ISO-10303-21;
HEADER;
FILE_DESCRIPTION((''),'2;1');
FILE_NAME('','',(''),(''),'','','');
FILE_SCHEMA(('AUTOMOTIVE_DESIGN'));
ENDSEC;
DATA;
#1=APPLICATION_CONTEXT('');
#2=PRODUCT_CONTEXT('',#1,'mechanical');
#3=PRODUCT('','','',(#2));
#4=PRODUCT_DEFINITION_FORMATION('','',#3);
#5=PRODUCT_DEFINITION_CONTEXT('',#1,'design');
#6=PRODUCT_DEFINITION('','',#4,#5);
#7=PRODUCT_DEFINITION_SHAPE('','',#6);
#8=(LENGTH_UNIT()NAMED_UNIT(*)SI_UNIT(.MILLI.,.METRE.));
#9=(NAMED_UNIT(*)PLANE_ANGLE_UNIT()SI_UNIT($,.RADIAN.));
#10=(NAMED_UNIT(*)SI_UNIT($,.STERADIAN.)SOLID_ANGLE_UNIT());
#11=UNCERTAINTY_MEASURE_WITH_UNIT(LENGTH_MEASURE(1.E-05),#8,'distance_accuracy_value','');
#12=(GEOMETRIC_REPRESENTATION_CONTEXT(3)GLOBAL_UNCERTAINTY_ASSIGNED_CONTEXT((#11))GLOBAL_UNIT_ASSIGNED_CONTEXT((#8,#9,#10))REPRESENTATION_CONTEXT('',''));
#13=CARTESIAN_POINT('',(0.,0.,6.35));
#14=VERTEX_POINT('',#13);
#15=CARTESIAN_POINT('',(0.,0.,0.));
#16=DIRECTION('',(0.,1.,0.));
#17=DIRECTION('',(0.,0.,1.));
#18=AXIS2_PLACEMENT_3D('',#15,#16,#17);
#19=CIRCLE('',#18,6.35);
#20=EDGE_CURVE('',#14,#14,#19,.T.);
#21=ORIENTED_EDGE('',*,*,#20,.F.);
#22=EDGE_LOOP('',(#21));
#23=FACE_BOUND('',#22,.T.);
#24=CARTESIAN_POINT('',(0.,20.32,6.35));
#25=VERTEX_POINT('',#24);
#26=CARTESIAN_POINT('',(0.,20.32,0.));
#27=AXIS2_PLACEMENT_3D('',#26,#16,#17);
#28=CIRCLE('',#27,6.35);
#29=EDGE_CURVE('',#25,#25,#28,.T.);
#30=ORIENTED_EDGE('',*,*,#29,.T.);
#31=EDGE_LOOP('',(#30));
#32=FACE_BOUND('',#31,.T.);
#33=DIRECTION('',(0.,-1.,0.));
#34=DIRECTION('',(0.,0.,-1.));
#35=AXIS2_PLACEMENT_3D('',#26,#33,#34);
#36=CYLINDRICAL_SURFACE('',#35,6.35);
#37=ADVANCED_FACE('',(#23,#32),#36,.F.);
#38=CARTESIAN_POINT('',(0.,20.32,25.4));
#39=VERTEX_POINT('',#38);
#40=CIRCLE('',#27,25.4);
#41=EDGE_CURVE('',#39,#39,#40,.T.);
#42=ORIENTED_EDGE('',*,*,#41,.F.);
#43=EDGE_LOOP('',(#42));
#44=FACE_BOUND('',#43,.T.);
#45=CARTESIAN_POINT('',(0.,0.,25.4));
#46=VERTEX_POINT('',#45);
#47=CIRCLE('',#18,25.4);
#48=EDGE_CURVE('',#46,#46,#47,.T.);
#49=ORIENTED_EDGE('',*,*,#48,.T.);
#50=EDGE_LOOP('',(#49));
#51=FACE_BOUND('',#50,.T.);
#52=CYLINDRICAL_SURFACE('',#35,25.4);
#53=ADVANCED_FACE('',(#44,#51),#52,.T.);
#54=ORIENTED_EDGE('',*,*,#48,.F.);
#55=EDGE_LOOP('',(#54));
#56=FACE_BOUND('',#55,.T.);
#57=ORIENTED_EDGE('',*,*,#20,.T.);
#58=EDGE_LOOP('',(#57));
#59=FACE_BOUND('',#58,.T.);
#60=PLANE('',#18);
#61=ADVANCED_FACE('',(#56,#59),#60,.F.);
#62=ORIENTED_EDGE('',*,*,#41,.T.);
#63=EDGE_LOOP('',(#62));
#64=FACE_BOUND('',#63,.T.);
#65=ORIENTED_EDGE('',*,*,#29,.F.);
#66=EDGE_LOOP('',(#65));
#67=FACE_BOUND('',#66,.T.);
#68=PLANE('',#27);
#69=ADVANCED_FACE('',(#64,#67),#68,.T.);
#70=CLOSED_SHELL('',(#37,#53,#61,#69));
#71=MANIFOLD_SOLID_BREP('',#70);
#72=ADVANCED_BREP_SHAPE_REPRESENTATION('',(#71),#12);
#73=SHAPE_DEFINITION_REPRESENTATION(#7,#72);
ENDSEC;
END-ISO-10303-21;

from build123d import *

# Parameters (mm, degrees)
CROQUIS1_R              = 25.4
CROQUIS1_R_2            = 6.35
SALIENTE_EXTRUIR1_DEPTH = 20.32


with BuildPart() as part:
    # Croquis1 → Saliente-Extruir1 (new body)
    with BuildSketch(Plane(origin=(0, 0, 0), x_dir=(1, 0, 0), z_dir=(0, 1, 0))):
        Circle(CROQUIS1_R)
        Circle(CROQUIS1_R_2, mode=Mode.SUBTRACT)
    extrude(amount=SALIENTE_EXTRUIR1_DEPTH)


solid = part.part
